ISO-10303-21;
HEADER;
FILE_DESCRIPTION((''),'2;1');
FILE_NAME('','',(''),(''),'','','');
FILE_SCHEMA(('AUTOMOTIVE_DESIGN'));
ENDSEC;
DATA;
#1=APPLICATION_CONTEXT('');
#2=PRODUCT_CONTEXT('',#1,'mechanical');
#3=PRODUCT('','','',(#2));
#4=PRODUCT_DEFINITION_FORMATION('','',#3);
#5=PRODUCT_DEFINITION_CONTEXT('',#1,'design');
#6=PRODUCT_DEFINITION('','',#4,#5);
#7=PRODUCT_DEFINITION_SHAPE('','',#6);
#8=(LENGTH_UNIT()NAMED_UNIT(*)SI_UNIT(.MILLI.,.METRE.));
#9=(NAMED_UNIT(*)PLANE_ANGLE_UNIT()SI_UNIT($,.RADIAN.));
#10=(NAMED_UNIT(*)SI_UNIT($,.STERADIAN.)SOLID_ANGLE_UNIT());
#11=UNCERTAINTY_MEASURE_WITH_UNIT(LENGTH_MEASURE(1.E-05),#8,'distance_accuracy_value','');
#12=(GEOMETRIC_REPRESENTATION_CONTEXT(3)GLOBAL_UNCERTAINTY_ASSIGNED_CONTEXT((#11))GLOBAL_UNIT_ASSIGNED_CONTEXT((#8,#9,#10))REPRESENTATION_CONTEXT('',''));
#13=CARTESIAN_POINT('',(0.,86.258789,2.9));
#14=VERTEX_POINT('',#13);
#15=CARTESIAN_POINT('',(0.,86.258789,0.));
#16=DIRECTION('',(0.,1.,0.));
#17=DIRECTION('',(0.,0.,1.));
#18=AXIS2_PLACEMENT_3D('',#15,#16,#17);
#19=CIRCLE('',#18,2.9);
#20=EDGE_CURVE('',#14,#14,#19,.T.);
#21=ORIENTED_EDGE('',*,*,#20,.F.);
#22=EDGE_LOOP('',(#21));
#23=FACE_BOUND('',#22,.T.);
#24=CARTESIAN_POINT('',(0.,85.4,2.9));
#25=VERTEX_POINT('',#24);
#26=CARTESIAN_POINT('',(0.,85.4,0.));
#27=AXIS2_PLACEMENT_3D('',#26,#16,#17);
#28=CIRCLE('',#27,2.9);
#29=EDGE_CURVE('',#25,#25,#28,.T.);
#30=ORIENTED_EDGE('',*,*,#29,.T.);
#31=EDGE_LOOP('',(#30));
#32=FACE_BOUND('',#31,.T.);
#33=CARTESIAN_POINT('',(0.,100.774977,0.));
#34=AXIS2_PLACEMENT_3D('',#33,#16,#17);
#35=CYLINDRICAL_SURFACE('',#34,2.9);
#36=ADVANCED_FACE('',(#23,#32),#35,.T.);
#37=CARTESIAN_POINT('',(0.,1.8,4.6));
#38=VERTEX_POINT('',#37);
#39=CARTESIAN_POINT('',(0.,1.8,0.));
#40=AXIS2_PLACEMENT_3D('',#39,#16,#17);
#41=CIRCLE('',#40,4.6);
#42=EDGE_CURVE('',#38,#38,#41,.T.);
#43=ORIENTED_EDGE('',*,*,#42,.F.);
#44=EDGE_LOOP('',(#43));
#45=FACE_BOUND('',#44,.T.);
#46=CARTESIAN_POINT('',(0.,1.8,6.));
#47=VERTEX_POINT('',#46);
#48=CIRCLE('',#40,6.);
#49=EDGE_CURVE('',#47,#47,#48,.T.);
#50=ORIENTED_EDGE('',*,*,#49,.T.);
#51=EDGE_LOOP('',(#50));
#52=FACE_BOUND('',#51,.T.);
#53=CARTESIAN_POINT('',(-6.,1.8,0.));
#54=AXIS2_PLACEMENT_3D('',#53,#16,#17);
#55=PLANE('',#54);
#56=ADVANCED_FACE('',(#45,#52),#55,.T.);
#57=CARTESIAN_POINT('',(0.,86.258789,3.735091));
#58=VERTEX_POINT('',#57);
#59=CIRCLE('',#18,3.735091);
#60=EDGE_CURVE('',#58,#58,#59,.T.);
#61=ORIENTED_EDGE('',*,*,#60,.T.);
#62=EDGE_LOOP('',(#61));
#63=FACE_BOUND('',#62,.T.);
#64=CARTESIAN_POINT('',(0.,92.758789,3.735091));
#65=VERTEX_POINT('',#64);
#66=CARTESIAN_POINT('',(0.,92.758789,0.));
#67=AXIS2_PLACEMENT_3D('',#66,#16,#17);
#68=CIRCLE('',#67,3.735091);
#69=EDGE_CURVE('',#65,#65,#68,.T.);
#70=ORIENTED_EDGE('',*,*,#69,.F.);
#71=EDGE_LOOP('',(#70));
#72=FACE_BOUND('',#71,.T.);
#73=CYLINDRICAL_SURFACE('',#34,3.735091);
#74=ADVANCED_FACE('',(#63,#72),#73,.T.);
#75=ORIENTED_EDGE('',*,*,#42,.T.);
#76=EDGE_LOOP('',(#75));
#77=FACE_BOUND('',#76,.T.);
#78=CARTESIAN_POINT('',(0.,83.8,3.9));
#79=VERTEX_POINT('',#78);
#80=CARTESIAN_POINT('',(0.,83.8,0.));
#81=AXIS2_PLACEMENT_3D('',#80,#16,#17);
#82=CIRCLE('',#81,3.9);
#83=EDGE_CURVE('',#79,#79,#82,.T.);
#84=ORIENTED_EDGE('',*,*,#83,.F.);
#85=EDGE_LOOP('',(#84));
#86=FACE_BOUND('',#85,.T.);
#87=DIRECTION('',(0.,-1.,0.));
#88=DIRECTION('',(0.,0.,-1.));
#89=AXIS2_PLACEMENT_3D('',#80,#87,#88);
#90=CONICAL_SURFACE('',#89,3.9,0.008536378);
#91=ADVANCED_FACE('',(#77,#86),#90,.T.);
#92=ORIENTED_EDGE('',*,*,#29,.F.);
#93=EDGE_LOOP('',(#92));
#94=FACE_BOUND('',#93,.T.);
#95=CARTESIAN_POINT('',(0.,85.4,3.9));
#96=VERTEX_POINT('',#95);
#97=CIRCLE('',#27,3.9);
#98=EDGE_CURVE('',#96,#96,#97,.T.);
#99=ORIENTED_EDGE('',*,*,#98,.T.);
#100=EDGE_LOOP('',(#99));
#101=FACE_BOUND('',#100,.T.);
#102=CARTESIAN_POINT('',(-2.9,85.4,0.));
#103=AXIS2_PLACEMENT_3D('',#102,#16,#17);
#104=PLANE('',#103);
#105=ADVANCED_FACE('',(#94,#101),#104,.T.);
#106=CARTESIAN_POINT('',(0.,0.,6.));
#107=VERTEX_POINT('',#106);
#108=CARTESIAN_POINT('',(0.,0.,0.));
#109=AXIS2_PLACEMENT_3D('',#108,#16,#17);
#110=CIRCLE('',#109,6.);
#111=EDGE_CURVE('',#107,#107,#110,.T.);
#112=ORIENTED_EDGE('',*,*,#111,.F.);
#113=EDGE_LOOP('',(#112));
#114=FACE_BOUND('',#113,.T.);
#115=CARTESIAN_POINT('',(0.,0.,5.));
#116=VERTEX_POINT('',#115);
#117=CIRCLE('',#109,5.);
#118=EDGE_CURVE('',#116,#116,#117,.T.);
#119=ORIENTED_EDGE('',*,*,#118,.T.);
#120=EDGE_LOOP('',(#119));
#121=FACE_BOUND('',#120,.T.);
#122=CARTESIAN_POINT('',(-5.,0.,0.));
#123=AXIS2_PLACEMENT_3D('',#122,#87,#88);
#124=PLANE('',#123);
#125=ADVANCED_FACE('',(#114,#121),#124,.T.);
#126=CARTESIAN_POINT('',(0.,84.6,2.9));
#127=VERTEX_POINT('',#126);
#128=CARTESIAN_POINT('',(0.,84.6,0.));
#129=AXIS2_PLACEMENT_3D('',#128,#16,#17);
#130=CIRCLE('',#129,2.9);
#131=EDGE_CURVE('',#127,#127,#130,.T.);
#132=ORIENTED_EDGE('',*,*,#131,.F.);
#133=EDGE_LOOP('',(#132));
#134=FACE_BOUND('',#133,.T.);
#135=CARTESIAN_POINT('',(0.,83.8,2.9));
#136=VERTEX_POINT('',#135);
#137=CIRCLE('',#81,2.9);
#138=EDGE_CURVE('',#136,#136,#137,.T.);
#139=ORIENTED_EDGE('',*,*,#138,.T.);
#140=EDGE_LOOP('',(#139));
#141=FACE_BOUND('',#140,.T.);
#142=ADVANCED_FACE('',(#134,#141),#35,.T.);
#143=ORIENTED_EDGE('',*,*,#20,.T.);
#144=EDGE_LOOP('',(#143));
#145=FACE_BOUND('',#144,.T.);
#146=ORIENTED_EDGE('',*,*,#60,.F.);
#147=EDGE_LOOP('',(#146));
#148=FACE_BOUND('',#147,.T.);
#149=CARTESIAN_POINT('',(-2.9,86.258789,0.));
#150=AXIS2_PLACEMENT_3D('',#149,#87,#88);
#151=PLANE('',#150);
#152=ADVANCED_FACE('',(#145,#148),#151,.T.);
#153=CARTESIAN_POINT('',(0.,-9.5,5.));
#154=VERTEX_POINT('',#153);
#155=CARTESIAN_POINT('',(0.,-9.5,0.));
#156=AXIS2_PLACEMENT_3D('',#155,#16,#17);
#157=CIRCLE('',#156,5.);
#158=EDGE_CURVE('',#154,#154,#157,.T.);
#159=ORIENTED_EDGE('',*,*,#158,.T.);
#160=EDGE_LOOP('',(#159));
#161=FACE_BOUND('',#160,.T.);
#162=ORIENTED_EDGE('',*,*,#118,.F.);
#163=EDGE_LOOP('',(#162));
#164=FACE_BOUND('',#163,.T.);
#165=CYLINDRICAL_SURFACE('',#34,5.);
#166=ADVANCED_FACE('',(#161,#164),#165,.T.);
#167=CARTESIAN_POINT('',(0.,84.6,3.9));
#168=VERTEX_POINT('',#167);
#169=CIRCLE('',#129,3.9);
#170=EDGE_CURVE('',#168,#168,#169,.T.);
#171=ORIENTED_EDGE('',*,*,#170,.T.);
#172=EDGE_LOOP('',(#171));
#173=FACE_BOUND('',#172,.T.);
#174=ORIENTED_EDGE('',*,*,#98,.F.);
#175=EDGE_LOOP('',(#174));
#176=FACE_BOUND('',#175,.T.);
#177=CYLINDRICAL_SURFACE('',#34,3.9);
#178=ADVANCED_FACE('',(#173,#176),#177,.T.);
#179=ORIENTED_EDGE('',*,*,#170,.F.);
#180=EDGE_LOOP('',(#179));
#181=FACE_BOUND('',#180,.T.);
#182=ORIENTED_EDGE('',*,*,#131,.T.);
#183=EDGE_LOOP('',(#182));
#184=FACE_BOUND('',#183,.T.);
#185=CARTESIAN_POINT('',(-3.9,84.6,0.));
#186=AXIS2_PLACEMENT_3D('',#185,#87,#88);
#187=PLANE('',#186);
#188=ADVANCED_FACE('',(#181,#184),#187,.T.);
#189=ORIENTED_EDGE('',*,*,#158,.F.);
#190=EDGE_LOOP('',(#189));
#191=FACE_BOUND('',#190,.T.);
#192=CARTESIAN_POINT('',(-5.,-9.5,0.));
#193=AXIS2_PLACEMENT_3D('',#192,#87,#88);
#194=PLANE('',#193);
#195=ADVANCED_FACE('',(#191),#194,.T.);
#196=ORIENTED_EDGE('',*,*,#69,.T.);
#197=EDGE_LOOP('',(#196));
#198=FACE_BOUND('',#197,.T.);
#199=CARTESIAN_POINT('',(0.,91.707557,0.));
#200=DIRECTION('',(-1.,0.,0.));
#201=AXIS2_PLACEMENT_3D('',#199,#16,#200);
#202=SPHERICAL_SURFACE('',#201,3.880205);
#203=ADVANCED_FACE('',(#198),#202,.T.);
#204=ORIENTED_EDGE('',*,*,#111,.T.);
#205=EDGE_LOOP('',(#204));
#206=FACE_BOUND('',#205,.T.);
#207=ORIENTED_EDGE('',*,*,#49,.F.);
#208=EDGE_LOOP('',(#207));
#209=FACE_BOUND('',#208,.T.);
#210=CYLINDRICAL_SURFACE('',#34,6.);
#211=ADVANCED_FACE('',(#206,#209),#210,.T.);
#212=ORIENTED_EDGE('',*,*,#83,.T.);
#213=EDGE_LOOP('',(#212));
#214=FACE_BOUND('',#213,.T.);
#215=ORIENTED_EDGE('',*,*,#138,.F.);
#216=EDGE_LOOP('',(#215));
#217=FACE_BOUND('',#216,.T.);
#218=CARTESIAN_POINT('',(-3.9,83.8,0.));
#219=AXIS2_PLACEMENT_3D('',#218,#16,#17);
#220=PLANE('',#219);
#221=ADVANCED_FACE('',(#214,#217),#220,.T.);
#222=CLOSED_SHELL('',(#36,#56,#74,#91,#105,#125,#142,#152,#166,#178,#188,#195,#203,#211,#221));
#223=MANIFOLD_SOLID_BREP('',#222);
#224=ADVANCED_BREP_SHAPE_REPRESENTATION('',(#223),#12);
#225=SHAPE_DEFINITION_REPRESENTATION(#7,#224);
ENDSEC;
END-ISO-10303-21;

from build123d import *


with BuildPart() as part:
    # 草图1 → 旋转1 (revolve)
    with BuildSketch(Plane.XY, mode=Mode.PRIVATE) as revolve_1_sk:
        with BuildLine():
            Line((-5, -9.5), (-5, 0))
            Line((-5, 0), (-6, 0))
            Line((-6, 0), (-6, 1.8))
            Line((-6, 1.8), (-4.6, 1.8))
            Line((-4.6, 1.8), (-3.9, 83.8))
            Line((-3.9, 83.8), (-2.9, 83.8))
            Line((-2.9, 83.8), (-2.9, 84.6))
            Line((-2.9, 84.6), (-3.9, 84.6))
            Line((-3.9, 84.6), (-3.9, 85.4))
            Line((-3.9, 85.4), (-2.9, 85.4))
            Line((-2.9, 85.4), (-2.9, 86.258788541))
            Line((-2.9, 86.258788541), (-3.735091076, 86.258788541))
            Line((-3.735091076, 86.258788541), (-3.735091076, 92.758788541))
            ThreePointArc((-3.735091076, 92.758788541), (-2.342754752, 94.800693716), (0, 95.587762553))
            Line((0, 95.587762553), (0, -9.5))
            Line((0, -9.5), (-5, -9.5))
        make_face()
    revolve(revolve_1_sk.sketch.rotate(Axis((0, 100.774977187, 0), (0, -1, 0)), 270), axis=Axis((0, 100.774977187, 0), (0, -1, 0)))


solid = part.part
